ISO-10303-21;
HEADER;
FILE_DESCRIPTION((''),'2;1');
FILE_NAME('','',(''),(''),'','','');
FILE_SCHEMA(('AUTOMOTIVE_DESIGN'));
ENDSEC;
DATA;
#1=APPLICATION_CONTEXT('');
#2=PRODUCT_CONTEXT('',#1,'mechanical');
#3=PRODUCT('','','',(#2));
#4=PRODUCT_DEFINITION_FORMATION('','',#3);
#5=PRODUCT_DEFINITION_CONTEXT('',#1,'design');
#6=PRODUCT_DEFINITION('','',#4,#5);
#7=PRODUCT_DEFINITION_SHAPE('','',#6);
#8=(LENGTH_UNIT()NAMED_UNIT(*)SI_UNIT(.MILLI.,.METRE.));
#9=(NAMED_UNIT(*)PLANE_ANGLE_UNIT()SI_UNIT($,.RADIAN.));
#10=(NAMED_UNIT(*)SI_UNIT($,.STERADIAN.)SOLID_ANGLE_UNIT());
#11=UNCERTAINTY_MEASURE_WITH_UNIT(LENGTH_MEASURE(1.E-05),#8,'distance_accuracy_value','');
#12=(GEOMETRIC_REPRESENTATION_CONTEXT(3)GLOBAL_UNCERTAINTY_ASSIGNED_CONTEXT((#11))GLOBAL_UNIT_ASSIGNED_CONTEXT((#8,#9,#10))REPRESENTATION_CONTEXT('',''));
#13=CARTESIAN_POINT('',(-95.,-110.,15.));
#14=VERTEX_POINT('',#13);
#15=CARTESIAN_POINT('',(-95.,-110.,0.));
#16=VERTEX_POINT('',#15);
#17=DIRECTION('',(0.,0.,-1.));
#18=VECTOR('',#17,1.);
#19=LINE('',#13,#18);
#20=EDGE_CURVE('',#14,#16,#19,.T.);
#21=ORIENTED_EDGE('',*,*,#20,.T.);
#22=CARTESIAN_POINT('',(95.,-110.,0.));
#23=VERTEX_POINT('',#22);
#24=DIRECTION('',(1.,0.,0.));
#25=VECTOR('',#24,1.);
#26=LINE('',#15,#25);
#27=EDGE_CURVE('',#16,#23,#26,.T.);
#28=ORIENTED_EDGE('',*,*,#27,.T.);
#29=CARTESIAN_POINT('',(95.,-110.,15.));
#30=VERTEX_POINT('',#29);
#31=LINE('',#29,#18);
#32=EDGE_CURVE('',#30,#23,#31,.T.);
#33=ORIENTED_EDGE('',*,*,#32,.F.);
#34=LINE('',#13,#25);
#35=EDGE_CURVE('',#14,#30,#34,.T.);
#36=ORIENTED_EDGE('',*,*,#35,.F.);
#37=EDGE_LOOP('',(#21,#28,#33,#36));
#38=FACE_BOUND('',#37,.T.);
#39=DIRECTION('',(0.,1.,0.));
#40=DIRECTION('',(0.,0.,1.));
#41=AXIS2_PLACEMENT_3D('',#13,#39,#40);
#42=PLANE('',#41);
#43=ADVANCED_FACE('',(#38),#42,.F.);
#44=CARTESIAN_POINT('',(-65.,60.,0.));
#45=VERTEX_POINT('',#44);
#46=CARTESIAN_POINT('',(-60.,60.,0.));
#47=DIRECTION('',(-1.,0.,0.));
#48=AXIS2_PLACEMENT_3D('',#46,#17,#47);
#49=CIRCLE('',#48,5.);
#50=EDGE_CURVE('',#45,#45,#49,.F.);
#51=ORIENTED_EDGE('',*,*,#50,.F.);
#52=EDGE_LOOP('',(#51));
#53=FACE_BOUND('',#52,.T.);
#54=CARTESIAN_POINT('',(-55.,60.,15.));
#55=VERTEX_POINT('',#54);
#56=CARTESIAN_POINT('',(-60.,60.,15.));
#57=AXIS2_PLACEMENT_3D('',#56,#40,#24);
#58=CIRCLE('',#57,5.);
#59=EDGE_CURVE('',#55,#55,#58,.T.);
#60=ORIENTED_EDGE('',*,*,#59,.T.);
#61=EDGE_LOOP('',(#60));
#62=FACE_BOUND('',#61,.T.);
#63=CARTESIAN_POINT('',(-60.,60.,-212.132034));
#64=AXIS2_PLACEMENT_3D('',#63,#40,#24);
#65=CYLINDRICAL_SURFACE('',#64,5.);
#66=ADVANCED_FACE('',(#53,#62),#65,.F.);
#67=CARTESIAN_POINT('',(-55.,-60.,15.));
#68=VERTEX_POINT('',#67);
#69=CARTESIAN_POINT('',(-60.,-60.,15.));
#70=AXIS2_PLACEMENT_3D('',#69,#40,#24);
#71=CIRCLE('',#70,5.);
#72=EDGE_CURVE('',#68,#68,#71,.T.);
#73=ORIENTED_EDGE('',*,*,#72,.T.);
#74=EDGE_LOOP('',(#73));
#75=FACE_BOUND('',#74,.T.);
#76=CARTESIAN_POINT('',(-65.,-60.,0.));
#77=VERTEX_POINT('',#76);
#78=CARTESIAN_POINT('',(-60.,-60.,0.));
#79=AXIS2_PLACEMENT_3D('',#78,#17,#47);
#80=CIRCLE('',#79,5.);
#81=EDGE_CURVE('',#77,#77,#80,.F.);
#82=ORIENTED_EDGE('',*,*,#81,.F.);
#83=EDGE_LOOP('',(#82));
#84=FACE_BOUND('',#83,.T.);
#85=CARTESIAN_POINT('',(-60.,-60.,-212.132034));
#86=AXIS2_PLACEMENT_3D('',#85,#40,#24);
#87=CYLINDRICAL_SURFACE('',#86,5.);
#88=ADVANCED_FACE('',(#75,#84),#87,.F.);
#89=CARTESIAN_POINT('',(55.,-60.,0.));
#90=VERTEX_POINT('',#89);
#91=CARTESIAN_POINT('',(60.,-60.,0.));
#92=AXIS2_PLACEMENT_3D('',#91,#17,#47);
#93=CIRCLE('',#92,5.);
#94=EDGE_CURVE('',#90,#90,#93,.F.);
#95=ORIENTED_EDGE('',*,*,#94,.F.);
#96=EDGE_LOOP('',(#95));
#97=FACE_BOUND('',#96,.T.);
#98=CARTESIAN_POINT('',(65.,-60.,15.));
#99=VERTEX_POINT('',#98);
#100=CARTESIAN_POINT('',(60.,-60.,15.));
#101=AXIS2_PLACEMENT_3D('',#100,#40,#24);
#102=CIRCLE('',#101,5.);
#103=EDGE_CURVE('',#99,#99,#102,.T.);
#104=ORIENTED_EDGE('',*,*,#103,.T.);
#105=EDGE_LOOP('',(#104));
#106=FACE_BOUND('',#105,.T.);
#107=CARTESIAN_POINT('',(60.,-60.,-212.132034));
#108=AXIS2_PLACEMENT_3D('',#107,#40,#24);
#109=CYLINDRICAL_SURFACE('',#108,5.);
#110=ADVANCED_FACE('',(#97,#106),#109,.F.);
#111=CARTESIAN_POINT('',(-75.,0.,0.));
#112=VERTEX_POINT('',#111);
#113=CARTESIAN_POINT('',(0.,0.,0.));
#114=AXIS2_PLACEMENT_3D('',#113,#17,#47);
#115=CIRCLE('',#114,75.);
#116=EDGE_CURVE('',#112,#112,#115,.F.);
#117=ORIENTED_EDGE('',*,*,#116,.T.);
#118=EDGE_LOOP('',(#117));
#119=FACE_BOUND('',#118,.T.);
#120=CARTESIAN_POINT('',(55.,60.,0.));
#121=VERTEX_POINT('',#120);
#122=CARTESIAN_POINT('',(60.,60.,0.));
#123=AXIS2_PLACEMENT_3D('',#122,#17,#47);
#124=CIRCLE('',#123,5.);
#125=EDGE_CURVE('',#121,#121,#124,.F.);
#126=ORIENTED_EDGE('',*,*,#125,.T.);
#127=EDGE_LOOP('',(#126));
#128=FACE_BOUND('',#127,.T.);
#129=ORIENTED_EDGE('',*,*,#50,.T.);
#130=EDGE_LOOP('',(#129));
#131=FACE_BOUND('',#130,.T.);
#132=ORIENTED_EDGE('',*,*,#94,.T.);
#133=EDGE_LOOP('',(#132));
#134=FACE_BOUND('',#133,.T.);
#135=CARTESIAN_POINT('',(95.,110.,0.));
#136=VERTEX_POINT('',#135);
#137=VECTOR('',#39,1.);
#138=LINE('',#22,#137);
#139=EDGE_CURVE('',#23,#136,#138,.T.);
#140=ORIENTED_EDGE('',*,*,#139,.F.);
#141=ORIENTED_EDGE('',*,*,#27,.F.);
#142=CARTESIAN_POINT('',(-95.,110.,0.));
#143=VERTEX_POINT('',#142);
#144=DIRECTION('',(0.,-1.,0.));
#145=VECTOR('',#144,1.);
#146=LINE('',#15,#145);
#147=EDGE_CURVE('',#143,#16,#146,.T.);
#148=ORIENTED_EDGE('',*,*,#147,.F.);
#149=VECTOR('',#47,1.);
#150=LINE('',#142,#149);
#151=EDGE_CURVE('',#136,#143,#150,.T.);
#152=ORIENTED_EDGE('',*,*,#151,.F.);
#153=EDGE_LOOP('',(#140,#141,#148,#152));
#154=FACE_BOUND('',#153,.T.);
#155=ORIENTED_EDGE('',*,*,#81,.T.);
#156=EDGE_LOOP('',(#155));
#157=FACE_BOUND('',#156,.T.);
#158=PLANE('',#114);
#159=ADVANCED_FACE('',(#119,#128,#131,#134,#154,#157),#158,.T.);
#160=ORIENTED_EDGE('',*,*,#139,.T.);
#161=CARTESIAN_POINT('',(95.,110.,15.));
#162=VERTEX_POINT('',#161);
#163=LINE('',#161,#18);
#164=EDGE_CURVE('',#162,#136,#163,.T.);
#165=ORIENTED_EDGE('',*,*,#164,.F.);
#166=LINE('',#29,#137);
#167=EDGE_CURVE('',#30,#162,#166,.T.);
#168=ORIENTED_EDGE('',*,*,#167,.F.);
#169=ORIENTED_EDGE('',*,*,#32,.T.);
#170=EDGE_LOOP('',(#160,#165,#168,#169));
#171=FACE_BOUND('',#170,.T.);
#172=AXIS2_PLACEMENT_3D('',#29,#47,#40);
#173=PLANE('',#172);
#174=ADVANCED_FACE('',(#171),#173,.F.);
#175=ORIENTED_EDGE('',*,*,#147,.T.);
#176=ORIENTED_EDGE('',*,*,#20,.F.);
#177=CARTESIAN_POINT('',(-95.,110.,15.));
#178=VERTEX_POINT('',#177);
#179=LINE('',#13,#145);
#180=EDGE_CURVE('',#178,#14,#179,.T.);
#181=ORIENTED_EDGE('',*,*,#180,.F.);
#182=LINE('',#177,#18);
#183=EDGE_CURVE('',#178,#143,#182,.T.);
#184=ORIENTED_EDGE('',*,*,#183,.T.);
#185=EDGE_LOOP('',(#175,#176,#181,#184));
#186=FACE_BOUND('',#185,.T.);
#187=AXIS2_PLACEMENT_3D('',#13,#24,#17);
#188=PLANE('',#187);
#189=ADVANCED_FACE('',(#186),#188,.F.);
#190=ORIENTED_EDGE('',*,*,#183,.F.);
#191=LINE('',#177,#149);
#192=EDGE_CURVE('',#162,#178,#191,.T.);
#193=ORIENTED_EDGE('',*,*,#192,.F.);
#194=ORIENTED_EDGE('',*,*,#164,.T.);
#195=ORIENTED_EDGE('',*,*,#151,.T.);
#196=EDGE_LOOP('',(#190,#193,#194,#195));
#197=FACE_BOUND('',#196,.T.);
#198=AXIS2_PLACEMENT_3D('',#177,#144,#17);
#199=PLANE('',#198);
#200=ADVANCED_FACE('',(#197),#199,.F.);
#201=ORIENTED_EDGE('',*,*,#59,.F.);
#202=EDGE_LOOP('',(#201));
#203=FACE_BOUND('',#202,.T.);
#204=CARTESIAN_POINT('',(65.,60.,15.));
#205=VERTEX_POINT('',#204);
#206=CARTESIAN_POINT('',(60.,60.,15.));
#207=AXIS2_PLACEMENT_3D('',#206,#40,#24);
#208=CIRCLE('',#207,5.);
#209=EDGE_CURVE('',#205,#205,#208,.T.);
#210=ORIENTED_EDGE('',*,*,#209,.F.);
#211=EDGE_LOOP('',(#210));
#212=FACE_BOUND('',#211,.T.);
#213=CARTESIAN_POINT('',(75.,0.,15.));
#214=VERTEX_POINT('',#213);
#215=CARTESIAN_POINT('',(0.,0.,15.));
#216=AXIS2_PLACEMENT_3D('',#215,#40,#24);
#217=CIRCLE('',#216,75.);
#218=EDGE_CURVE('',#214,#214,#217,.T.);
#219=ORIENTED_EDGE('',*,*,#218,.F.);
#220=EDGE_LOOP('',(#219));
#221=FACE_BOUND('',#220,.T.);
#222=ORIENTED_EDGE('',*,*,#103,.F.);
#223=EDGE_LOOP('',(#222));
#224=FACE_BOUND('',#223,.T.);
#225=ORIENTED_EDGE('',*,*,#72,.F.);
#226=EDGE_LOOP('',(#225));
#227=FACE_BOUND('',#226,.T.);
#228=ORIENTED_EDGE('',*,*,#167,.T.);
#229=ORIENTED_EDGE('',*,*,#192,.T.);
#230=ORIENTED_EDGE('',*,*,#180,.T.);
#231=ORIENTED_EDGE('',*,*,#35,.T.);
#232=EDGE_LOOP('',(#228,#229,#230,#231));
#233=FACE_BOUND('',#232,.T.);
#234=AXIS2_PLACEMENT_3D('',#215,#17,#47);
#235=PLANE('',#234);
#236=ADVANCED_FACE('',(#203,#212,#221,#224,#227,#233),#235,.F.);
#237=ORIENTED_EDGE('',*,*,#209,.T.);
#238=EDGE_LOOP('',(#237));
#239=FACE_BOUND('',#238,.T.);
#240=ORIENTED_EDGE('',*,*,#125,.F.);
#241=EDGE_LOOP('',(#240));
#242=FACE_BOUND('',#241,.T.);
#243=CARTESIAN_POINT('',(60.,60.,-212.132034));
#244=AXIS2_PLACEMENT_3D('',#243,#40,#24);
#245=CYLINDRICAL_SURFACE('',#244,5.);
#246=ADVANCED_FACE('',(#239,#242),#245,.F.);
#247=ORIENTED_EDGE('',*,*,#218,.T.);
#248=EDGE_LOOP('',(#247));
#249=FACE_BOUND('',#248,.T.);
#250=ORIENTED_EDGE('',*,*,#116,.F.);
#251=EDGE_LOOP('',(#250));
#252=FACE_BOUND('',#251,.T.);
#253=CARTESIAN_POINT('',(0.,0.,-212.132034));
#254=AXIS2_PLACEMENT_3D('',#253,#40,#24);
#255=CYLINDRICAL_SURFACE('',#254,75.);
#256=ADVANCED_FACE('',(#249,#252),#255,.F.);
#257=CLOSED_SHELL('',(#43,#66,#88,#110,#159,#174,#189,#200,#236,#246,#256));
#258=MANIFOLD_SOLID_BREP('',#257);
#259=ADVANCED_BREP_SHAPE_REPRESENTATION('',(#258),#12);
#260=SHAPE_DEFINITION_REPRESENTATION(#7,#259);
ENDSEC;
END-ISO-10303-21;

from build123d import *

# Parameters (mm, degrees)
SKETCH1_W           = 190
SKETCH1_H           = 220
BOSS_EXTRUDE1_DEPTH = 15
SKETCH2_R           = 75
SKETCH2_R_2         = 5
CUT_EXTRUDE1_DEPTH  = 15


with BuildPart() as part:
    # Sketch1 → Boss-Extrude1 (new body)
    with BuildSketch(Plane.XY):
        Rectangle(SKETCH1_W, SKETCH1_H)
    extrude(amount=BOSS_EXTRUDE1_DEPTH)

    # Sketch2 → Cut-Extrude1 (cut)
    with BuildSketch(Plane.XY.offset(15)):
        Circle(SKETCH2_R)
        with Locations((-60, 60)):
            Circle(SKETCH2_R_2)
        with Locations((60, 60)):
            Circle(SKETCH2_R_2)
        with Locations((60, -60)):
            Circle(SKETCH2_R_2)
        with Locations((-60, -60)):
            Circle(SKETCH2_R_2)
    extrude(amount=-CUT_EXTRUDE1_DEPTH, mode=Mode.SUBTRACT)


solid = part.part
